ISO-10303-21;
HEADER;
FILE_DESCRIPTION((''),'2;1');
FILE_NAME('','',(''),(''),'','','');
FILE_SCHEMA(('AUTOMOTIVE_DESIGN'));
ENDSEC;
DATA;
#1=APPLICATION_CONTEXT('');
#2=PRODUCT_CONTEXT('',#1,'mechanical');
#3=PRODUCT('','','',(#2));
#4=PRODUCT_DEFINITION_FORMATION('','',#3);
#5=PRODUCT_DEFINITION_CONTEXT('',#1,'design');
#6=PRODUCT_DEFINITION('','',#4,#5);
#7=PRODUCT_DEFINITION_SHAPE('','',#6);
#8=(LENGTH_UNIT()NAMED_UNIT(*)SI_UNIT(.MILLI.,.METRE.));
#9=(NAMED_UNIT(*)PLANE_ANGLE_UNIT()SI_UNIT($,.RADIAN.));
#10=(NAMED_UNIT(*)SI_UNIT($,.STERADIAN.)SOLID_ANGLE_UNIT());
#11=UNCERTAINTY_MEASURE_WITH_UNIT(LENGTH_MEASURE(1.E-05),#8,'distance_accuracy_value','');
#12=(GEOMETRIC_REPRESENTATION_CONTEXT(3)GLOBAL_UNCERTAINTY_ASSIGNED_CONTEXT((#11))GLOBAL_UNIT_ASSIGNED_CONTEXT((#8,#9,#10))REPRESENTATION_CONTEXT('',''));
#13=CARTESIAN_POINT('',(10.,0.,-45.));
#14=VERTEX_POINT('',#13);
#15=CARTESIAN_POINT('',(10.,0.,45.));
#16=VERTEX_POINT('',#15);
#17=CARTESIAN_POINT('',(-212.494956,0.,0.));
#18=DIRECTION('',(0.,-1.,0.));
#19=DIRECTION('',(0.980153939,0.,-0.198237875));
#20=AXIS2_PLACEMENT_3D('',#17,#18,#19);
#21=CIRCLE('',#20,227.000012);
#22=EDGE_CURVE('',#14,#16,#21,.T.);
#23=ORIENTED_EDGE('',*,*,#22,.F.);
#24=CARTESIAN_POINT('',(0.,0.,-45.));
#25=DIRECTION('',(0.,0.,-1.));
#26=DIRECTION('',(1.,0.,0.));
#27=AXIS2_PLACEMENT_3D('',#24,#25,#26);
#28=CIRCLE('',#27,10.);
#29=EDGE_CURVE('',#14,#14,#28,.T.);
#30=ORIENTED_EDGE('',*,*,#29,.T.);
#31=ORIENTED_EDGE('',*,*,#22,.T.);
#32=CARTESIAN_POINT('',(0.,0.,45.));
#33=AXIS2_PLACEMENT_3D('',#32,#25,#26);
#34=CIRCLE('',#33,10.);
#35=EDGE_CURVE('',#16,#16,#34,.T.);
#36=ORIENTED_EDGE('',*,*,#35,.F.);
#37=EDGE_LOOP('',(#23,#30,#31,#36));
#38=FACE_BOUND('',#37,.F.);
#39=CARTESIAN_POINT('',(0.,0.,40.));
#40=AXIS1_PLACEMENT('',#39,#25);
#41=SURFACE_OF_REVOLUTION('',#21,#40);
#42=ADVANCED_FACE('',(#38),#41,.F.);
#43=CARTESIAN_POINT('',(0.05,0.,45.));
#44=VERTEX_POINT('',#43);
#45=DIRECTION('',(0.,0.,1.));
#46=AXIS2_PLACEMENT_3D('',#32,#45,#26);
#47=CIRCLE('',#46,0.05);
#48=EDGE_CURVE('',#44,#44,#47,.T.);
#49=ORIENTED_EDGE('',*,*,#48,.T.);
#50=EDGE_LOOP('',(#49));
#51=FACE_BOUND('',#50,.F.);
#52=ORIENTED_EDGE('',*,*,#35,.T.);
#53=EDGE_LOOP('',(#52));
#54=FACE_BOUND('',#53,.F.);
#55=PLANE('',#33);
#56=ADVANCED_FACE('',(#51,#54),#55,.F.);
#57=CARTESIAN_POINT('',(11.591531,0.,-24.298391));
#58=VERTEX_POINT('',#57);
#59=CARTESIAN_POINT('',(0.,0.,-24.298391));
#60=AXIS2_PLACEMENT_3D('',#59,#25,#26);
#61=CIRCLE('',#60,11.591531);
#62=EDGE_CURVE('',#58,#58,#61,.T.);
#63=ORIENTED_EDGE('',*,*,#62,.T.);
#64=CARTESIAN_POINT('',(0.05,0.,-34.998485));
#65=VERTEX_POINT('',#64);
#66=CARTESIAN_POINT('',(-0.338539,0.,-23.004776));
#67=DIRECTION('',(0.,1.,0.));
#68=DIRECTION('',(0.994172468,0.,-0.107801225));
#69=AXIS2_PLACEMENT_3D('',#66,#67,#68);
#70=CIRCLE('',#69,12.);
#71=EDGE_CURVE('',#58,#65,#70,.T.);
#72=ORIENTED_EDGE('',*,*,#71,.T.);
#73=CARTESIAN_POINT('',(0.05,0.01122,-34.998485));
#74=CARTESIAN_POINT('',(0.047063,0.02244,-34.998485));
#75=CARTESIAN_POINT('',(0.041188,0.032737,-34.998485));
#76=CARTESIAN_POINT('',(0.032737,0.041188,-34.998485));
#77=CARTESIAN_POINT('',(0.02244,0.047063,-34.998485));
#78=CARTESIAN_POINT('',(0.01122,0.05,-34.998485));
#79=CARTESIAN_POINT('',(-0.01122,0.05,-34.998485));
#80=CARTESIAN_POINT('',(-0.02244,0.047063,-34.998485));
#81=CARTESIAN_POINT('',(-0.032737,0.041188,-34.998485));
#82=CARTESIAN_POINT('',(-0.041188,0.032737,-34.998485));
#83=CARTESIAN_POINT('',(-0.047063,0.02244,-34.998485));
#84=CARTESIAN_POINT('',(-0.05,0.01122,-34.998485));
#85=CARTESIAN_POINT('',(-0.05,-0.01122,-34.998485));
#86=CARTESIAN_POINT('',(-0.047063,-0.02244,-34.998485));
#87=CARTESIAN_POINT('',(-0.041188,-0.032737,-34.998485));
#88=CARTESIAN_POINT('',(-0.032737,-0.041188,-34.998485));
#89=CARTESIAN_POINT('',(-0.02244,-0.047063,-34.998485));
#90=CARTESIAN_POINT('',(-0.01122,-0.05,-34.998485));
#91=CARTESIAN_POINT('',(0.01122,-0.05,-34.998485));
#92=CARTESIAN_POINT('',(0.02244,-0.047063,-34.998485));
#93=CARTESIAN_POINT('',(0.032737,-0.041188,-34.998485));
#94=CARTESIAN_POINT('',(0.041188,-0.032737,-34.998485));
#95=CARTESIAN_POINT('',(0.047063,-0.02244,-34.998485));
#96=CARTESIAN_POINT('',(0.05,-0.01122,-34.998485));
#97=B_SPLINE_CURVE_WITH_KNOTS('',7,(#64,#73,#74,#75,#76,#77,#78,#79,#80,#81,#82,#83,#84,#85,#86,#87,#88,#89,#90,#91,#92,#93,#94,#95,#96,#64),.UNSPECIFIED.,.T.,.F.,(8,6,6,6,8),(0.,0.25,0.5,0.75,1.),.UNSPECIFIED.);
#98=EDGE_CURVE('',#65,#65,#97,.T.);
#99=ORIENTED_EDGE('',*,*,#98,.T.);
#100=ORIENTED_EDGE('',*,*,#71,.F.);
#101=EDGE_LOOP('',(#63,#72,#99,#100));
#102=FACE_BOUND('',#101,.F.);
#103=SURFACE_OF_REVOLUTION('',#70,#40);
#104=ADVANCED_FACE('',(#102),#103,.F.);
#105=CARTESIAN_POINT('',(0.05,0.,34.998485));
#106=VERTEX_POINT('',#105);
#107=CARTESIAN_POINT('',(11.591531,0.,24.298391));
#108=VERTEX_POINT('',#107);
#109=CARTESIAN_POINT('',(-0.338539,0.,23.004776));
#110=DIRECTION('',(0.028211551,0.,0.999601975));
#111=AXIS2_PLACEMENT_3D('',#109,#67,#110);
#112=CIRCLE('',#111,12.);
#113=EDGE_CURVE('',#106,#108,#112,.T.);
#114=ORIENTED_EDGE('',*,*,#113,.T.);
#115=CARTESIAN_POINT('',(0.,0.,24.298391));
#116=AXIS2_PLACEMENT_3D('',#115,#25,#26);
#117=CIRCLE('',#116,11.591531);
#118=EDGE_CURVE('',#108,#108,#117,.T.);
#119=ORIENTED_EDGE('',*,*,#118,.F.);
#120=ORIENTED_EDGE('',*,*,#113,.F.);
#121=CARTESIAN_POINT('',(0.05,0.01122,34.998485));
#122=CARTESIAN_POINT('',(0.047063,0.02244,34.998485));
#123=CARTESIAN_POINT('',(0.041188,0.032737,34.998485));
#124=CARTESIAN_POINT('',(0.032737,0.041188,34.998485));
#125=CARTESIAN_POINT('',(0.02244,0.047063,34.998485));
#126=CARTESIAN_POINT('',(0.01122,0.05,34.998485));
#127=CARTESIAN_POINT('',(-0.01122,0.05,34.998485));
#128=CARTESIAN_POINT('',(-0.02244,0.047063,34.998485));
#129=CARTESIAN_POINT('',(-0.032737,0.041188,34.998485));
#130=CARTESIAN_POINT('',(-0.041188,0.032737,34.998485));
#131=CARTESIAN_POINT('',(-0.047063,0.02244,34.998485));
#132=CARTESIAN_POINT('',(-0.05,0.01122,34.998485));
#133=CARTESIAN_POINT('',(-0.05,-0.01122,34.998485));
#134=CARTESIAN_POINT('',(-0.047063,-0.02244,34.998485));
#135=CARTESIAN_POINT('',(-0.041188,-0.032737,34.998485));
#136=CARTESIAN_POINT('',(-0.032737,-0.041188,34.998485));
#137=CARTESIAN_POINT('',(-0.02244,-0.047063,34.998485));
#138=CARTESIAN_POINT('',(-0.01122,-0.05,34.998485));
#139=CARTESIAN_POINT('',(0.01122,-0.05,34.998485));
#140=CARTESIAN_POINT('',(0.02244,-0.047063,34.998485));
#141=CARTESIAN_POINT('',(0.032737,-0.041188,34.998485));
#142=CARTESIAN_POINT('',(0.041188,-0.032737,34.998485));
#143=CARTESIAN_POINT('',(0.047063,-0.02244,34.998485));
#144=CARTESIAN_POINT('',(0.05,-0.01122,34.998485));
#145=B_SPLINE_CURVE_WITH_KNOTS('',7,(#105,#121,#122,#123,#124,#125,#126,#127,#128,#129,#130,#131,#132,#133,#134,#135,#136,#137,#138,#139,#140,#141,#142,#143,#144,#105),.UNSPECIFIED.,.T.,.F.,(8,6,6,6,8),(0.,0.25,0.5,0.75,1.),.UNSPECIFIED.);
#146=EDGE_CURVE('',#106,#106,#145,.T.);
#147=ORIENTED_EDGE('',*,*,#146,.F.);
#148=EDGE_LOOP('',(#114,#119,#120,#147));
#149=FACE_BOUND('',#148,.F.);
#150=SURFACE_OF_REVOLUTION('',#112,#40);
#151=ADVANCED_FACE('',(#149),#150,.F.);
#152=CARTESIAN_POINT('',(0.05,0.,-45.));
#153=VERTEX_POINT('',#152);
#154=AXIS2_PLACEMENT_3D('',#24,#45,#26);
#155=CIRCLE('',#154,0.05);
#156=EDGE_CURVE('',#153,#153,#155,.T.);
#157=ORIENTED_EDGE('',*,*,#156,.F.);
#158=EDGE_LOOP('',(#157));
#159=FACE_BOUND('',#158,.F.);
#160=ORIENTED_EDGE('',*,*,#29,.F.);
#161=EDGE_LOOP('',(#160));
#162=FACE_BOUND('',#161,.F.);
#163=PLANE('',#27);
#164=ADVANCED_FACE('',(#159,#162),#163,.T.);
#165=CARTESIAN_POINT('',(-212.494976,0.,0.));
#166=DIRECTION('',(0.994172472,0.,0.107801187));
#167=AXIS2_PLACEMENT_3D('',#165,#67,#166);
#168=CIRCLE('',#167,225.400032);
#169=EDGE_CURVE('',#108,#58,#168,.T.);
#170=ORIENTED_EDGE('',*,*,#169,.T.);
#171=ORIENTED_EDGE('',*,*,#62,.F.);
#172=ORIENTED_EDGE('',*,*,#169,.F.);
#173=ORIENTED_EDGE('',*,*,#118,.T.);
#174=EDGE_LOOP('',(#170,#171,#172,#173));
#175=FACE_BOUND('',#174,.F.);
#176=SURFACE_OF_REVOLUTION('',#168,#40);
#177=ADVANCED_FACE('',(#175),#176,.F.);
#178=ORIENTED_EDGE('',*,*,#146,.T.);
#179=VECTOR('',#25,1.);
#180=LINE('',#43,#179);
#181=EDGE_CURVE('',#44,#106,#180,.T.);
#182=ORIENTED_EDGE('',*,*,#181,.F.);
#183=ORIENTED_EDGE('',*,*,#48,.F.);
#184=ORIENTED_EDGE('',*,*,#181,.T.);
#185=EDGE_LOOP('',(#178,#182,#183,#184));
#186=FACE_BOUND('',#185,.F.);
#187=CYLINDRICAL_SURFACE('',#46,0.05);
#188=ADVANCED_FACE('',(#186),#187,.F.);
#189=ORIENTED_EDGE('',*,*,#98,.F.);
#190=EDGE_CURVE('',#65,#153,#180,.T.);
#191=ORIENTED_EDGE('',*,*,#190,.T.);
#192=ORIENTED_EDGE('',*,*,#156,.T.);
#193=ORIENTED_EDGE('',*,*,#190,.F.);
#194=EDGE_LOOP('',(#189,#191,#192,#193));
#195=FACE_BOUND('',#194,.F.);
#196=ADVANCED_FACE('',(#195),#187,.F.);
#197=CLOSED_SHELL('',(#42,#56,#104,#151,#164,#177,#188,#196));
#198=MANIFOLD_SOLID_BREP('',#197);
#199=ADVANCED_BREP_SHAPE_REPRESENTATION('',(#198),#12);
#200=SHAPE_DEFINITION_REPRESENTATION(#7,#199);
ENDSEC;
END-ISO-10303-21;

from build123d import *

# Parameters (mm, degrees)
F2_R     = 0.05
F3_DEPTH = 90.001


with BuildPart() as f1:
    # F0 (on Front) → F1 (revolve)
    with BuildSketch(Plane.XZ):
        with BuildLine():
            Line((10, 45), (0, 45))
            Line((0, 45), (0, 35))
            ThreePointArc((0, 35), (7.801535, 31.82176), (11.591531, 24.298391))
            ThreePointArc((11.591531, 24.298391), (12.905056, 0), (11.591531, -24.298391))
            ThreePointArc((11.591531, -24.298391), (7.801535, -31.82176), (0, -35))
            Line((0, -35), (0, -45))
            Line((0, -45), (10, -45))
            ThreePointArc((10, -45), (14.505056, 0), (10, 45))
        make_face()
    revolve(axis=Axis((0, 0, 40), (0, 0, -1)))

    # F2 (on face) → F3 (cut, through all)
    with BuildSketch(Plane.XY.offset(45)):
        Circle(F2_R)
    extrude(amount=-F3_DEPTH, mode=Mode.SUBTRACT)


solid = f1.part
